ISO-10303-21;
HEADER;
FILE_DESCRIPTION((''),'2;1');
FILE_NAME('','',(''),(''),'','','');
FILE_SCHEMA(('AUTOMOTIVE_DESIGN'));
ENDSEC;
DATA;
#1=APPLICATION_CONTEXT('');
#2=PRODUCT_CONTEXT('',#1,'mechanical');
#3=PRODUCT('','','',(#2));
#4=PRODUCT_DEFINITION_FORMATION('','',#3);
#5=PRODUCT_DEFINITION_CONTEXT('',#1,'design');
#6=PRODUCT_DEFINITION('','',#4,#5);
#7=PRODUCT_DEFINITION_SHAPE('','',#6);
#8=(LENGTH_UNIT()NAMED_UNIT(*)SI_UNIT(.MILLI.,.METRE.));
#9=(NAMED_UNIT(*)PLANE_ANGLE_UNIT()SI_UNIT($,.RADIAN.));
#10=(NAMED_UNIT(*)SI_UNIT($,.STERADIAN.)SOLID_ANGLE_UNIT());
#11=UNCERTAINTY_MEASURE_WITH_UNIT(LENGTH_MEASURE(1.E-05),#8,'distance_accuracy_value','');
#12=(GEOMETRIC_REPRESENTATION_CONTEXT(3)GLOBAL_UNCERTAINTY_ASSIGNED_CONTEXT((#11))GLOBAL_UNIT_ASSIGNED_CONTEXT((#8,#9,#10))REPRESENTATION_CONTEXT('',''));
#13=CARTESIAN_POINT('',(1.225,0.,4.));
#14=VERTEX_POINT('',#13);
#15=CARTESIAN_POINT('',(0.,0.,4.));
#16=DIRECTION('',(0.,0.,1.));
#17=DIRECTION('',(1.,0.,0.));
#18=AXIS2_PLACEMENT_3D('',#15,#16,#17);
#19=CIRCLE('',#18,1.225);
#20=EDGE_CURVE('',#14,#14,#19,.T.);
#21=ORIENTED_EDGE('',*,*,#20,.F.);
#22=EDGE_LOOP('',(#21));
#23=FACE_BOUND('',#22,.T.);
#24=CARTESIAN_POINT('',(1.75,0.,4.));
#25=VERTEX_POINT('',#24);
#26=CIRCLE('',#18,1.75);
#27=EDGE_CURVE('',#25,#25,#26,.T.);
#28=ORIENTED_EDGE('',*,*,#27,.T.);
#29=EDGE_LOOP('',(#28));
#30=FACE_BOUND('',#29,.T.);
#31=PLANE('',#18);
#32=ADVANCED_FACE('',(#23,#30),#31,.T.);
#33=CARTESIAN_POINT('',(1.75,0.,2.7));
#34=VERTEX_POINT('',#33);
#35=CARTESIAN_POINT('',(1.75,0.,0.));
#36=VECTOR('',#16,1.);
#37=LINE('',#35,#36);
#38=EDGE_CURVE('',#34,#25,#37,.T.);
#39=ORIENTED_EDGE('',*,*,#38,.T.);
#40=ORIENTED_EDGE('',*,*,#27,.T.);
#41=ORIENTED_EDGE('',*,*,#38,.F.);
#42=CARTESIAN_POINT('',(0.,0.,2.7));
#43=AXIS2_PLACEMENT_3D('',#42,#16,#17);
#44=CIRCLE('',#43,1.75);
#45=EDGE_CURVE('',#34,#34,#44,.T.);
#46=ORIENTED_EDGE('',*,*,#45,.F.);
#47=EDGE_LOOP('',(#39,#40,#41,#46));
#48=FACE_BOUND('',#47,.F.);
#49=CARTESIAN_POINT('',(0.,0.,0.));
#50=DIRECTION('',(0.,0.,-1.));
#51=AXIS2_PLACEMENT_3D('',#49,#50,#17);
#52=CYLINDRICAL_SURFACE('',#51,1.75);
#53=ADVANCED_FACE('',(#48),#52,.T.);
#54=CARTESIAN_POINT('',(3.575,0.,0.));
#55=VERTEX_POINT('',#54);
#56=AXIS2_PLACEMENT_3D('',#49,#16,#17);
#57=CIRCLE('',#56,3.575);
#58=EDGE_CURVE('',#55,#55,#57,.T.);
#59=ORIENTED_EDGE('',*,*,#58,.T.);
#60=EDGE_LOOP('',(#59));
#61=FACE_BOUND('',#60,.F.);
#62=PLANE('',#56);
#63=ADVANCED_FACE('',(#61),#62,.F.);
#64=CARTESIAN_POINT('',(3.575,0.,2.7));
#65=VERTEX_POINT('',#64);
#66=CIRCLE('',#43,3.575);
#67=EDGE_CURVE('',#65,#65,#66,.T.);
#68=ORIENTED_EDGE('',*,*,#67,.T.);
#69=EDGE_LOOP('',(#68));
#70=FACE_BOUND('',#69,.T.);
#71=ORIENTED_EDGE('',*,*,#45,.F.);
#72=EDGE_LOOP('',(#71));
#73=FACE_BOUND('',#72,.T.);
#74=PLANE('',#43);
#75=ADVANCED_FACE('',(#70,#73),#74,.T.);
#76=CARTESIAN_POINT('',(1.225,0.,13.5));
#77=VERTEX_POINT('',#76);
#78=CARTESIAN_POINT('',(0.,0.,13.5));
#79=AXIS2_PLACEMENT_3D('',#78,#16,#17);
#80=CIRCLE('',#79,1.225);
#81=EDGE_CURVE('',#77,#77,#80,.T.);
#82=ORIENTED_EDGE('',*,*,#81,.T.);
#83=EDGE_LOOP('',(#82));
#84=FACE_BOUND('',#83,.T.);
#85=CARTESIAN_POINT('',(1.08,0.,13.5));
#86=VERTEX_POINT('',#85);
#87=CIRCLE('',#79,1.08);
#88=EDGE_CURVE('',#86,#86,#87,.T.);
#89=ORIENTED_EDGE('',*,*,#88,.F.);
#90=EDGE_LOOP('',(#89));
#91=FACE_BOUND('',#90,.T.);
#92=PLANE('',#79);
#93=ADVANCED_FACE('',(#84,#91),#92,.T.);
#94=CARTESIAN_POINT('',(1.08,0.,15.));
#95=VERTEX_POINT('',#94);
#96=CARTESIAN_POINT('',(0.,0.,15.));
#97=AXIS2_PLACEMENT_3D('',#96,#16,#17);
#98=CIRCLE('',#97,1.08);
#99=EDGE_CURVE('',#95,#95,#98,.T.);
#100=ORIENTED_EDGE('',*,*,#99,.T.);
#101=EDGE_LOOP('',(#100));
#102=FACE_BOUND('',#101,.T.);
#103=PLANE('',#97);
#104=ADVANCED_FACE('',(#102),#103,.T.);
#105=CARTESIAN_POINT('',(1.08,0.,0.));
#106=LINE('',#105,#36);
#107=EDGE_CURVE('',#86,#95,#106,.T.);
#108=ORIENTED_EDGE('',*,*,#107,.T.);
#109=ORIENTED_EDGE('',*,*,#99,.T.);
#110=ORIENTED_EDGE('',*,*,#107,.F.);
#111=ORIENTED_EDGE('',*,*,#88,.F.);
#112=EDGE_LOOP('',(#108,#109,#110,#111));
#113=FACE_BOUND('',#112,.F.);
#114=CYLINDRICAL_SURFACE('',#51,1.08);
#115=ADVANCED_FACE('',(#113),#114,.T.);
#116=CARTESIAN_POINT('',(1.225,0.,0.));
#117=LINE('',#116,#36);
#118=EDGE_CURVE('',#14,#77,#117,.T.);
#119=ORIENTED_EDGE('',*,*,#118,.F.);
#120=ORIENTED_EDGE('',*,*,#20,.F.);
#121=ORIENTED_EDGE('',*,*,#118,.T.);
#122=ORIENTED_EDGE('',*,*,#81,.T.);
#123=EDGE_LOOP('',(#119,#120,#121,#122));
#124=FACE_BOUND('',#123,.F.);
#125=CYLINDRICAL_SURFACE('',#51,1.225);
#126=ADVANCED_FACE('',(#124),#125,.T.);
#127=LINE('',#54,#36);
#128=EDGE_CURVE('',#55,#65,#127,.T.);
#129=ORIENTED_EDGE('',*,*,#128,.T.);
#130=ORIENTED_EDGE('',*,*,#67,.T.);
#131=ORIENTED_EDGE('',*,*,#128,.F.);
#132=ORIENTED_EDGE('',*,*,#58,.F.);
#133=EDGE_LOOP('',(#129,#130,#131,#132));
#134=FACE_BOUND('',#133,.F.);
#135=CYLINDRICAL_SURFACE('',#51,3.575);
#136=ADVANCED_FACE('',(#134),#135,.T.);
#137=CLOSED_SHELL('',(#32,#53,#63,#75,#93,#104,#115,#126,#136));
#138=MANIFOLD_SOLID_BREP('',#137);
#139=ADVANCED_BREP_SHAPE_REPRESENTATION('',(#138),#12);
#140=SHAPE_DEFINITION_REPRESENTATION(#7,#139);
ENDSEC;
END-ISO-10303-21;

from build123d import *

# Parameters (mm, degrees)
F0_R     = 1.08
F1_DEPTH = 15
F0_R_2   = 1.225
F2_DEPTH = 13.5
F0_R_3   = 1.75
F3_DEPTH = 4
F0_R_4   = 3.575
F4_DEPTH = 2.7


with BuildPart() as f1:
    # F0 (on Top) → F1 (new body)
    with BuildSketch(Plane.XY):
        Circle(F0_R)
    extrude(amount=F1_DEPTH)

    # F0 (on Top) → F2 (join)
    with BuildSketch(Plane.XY):
        Circle(F0_R_2)
        Circle(F0_R, mode=Mode.SUBTRACT)
    extrude(amount=F2_DEPTH)

    # F0 (on Top) → F3 (join)
    with BuildSketch(Plane.XY):
        Circle(F0_R_3)
        Circle(F0_R_2, mode=Mode.SUBTRACT)
    extrude(amount=F3_DEPTH)

    # F0 (on Top) → F4 (join)
    with BuildSketch(Plane.XY):
        Circle(F0_R_4)
        Circle(F0_R_3, mode=Mode.SUBTRACT)
    extrude(amount=F4_DEPTH)


solid = f1.part
